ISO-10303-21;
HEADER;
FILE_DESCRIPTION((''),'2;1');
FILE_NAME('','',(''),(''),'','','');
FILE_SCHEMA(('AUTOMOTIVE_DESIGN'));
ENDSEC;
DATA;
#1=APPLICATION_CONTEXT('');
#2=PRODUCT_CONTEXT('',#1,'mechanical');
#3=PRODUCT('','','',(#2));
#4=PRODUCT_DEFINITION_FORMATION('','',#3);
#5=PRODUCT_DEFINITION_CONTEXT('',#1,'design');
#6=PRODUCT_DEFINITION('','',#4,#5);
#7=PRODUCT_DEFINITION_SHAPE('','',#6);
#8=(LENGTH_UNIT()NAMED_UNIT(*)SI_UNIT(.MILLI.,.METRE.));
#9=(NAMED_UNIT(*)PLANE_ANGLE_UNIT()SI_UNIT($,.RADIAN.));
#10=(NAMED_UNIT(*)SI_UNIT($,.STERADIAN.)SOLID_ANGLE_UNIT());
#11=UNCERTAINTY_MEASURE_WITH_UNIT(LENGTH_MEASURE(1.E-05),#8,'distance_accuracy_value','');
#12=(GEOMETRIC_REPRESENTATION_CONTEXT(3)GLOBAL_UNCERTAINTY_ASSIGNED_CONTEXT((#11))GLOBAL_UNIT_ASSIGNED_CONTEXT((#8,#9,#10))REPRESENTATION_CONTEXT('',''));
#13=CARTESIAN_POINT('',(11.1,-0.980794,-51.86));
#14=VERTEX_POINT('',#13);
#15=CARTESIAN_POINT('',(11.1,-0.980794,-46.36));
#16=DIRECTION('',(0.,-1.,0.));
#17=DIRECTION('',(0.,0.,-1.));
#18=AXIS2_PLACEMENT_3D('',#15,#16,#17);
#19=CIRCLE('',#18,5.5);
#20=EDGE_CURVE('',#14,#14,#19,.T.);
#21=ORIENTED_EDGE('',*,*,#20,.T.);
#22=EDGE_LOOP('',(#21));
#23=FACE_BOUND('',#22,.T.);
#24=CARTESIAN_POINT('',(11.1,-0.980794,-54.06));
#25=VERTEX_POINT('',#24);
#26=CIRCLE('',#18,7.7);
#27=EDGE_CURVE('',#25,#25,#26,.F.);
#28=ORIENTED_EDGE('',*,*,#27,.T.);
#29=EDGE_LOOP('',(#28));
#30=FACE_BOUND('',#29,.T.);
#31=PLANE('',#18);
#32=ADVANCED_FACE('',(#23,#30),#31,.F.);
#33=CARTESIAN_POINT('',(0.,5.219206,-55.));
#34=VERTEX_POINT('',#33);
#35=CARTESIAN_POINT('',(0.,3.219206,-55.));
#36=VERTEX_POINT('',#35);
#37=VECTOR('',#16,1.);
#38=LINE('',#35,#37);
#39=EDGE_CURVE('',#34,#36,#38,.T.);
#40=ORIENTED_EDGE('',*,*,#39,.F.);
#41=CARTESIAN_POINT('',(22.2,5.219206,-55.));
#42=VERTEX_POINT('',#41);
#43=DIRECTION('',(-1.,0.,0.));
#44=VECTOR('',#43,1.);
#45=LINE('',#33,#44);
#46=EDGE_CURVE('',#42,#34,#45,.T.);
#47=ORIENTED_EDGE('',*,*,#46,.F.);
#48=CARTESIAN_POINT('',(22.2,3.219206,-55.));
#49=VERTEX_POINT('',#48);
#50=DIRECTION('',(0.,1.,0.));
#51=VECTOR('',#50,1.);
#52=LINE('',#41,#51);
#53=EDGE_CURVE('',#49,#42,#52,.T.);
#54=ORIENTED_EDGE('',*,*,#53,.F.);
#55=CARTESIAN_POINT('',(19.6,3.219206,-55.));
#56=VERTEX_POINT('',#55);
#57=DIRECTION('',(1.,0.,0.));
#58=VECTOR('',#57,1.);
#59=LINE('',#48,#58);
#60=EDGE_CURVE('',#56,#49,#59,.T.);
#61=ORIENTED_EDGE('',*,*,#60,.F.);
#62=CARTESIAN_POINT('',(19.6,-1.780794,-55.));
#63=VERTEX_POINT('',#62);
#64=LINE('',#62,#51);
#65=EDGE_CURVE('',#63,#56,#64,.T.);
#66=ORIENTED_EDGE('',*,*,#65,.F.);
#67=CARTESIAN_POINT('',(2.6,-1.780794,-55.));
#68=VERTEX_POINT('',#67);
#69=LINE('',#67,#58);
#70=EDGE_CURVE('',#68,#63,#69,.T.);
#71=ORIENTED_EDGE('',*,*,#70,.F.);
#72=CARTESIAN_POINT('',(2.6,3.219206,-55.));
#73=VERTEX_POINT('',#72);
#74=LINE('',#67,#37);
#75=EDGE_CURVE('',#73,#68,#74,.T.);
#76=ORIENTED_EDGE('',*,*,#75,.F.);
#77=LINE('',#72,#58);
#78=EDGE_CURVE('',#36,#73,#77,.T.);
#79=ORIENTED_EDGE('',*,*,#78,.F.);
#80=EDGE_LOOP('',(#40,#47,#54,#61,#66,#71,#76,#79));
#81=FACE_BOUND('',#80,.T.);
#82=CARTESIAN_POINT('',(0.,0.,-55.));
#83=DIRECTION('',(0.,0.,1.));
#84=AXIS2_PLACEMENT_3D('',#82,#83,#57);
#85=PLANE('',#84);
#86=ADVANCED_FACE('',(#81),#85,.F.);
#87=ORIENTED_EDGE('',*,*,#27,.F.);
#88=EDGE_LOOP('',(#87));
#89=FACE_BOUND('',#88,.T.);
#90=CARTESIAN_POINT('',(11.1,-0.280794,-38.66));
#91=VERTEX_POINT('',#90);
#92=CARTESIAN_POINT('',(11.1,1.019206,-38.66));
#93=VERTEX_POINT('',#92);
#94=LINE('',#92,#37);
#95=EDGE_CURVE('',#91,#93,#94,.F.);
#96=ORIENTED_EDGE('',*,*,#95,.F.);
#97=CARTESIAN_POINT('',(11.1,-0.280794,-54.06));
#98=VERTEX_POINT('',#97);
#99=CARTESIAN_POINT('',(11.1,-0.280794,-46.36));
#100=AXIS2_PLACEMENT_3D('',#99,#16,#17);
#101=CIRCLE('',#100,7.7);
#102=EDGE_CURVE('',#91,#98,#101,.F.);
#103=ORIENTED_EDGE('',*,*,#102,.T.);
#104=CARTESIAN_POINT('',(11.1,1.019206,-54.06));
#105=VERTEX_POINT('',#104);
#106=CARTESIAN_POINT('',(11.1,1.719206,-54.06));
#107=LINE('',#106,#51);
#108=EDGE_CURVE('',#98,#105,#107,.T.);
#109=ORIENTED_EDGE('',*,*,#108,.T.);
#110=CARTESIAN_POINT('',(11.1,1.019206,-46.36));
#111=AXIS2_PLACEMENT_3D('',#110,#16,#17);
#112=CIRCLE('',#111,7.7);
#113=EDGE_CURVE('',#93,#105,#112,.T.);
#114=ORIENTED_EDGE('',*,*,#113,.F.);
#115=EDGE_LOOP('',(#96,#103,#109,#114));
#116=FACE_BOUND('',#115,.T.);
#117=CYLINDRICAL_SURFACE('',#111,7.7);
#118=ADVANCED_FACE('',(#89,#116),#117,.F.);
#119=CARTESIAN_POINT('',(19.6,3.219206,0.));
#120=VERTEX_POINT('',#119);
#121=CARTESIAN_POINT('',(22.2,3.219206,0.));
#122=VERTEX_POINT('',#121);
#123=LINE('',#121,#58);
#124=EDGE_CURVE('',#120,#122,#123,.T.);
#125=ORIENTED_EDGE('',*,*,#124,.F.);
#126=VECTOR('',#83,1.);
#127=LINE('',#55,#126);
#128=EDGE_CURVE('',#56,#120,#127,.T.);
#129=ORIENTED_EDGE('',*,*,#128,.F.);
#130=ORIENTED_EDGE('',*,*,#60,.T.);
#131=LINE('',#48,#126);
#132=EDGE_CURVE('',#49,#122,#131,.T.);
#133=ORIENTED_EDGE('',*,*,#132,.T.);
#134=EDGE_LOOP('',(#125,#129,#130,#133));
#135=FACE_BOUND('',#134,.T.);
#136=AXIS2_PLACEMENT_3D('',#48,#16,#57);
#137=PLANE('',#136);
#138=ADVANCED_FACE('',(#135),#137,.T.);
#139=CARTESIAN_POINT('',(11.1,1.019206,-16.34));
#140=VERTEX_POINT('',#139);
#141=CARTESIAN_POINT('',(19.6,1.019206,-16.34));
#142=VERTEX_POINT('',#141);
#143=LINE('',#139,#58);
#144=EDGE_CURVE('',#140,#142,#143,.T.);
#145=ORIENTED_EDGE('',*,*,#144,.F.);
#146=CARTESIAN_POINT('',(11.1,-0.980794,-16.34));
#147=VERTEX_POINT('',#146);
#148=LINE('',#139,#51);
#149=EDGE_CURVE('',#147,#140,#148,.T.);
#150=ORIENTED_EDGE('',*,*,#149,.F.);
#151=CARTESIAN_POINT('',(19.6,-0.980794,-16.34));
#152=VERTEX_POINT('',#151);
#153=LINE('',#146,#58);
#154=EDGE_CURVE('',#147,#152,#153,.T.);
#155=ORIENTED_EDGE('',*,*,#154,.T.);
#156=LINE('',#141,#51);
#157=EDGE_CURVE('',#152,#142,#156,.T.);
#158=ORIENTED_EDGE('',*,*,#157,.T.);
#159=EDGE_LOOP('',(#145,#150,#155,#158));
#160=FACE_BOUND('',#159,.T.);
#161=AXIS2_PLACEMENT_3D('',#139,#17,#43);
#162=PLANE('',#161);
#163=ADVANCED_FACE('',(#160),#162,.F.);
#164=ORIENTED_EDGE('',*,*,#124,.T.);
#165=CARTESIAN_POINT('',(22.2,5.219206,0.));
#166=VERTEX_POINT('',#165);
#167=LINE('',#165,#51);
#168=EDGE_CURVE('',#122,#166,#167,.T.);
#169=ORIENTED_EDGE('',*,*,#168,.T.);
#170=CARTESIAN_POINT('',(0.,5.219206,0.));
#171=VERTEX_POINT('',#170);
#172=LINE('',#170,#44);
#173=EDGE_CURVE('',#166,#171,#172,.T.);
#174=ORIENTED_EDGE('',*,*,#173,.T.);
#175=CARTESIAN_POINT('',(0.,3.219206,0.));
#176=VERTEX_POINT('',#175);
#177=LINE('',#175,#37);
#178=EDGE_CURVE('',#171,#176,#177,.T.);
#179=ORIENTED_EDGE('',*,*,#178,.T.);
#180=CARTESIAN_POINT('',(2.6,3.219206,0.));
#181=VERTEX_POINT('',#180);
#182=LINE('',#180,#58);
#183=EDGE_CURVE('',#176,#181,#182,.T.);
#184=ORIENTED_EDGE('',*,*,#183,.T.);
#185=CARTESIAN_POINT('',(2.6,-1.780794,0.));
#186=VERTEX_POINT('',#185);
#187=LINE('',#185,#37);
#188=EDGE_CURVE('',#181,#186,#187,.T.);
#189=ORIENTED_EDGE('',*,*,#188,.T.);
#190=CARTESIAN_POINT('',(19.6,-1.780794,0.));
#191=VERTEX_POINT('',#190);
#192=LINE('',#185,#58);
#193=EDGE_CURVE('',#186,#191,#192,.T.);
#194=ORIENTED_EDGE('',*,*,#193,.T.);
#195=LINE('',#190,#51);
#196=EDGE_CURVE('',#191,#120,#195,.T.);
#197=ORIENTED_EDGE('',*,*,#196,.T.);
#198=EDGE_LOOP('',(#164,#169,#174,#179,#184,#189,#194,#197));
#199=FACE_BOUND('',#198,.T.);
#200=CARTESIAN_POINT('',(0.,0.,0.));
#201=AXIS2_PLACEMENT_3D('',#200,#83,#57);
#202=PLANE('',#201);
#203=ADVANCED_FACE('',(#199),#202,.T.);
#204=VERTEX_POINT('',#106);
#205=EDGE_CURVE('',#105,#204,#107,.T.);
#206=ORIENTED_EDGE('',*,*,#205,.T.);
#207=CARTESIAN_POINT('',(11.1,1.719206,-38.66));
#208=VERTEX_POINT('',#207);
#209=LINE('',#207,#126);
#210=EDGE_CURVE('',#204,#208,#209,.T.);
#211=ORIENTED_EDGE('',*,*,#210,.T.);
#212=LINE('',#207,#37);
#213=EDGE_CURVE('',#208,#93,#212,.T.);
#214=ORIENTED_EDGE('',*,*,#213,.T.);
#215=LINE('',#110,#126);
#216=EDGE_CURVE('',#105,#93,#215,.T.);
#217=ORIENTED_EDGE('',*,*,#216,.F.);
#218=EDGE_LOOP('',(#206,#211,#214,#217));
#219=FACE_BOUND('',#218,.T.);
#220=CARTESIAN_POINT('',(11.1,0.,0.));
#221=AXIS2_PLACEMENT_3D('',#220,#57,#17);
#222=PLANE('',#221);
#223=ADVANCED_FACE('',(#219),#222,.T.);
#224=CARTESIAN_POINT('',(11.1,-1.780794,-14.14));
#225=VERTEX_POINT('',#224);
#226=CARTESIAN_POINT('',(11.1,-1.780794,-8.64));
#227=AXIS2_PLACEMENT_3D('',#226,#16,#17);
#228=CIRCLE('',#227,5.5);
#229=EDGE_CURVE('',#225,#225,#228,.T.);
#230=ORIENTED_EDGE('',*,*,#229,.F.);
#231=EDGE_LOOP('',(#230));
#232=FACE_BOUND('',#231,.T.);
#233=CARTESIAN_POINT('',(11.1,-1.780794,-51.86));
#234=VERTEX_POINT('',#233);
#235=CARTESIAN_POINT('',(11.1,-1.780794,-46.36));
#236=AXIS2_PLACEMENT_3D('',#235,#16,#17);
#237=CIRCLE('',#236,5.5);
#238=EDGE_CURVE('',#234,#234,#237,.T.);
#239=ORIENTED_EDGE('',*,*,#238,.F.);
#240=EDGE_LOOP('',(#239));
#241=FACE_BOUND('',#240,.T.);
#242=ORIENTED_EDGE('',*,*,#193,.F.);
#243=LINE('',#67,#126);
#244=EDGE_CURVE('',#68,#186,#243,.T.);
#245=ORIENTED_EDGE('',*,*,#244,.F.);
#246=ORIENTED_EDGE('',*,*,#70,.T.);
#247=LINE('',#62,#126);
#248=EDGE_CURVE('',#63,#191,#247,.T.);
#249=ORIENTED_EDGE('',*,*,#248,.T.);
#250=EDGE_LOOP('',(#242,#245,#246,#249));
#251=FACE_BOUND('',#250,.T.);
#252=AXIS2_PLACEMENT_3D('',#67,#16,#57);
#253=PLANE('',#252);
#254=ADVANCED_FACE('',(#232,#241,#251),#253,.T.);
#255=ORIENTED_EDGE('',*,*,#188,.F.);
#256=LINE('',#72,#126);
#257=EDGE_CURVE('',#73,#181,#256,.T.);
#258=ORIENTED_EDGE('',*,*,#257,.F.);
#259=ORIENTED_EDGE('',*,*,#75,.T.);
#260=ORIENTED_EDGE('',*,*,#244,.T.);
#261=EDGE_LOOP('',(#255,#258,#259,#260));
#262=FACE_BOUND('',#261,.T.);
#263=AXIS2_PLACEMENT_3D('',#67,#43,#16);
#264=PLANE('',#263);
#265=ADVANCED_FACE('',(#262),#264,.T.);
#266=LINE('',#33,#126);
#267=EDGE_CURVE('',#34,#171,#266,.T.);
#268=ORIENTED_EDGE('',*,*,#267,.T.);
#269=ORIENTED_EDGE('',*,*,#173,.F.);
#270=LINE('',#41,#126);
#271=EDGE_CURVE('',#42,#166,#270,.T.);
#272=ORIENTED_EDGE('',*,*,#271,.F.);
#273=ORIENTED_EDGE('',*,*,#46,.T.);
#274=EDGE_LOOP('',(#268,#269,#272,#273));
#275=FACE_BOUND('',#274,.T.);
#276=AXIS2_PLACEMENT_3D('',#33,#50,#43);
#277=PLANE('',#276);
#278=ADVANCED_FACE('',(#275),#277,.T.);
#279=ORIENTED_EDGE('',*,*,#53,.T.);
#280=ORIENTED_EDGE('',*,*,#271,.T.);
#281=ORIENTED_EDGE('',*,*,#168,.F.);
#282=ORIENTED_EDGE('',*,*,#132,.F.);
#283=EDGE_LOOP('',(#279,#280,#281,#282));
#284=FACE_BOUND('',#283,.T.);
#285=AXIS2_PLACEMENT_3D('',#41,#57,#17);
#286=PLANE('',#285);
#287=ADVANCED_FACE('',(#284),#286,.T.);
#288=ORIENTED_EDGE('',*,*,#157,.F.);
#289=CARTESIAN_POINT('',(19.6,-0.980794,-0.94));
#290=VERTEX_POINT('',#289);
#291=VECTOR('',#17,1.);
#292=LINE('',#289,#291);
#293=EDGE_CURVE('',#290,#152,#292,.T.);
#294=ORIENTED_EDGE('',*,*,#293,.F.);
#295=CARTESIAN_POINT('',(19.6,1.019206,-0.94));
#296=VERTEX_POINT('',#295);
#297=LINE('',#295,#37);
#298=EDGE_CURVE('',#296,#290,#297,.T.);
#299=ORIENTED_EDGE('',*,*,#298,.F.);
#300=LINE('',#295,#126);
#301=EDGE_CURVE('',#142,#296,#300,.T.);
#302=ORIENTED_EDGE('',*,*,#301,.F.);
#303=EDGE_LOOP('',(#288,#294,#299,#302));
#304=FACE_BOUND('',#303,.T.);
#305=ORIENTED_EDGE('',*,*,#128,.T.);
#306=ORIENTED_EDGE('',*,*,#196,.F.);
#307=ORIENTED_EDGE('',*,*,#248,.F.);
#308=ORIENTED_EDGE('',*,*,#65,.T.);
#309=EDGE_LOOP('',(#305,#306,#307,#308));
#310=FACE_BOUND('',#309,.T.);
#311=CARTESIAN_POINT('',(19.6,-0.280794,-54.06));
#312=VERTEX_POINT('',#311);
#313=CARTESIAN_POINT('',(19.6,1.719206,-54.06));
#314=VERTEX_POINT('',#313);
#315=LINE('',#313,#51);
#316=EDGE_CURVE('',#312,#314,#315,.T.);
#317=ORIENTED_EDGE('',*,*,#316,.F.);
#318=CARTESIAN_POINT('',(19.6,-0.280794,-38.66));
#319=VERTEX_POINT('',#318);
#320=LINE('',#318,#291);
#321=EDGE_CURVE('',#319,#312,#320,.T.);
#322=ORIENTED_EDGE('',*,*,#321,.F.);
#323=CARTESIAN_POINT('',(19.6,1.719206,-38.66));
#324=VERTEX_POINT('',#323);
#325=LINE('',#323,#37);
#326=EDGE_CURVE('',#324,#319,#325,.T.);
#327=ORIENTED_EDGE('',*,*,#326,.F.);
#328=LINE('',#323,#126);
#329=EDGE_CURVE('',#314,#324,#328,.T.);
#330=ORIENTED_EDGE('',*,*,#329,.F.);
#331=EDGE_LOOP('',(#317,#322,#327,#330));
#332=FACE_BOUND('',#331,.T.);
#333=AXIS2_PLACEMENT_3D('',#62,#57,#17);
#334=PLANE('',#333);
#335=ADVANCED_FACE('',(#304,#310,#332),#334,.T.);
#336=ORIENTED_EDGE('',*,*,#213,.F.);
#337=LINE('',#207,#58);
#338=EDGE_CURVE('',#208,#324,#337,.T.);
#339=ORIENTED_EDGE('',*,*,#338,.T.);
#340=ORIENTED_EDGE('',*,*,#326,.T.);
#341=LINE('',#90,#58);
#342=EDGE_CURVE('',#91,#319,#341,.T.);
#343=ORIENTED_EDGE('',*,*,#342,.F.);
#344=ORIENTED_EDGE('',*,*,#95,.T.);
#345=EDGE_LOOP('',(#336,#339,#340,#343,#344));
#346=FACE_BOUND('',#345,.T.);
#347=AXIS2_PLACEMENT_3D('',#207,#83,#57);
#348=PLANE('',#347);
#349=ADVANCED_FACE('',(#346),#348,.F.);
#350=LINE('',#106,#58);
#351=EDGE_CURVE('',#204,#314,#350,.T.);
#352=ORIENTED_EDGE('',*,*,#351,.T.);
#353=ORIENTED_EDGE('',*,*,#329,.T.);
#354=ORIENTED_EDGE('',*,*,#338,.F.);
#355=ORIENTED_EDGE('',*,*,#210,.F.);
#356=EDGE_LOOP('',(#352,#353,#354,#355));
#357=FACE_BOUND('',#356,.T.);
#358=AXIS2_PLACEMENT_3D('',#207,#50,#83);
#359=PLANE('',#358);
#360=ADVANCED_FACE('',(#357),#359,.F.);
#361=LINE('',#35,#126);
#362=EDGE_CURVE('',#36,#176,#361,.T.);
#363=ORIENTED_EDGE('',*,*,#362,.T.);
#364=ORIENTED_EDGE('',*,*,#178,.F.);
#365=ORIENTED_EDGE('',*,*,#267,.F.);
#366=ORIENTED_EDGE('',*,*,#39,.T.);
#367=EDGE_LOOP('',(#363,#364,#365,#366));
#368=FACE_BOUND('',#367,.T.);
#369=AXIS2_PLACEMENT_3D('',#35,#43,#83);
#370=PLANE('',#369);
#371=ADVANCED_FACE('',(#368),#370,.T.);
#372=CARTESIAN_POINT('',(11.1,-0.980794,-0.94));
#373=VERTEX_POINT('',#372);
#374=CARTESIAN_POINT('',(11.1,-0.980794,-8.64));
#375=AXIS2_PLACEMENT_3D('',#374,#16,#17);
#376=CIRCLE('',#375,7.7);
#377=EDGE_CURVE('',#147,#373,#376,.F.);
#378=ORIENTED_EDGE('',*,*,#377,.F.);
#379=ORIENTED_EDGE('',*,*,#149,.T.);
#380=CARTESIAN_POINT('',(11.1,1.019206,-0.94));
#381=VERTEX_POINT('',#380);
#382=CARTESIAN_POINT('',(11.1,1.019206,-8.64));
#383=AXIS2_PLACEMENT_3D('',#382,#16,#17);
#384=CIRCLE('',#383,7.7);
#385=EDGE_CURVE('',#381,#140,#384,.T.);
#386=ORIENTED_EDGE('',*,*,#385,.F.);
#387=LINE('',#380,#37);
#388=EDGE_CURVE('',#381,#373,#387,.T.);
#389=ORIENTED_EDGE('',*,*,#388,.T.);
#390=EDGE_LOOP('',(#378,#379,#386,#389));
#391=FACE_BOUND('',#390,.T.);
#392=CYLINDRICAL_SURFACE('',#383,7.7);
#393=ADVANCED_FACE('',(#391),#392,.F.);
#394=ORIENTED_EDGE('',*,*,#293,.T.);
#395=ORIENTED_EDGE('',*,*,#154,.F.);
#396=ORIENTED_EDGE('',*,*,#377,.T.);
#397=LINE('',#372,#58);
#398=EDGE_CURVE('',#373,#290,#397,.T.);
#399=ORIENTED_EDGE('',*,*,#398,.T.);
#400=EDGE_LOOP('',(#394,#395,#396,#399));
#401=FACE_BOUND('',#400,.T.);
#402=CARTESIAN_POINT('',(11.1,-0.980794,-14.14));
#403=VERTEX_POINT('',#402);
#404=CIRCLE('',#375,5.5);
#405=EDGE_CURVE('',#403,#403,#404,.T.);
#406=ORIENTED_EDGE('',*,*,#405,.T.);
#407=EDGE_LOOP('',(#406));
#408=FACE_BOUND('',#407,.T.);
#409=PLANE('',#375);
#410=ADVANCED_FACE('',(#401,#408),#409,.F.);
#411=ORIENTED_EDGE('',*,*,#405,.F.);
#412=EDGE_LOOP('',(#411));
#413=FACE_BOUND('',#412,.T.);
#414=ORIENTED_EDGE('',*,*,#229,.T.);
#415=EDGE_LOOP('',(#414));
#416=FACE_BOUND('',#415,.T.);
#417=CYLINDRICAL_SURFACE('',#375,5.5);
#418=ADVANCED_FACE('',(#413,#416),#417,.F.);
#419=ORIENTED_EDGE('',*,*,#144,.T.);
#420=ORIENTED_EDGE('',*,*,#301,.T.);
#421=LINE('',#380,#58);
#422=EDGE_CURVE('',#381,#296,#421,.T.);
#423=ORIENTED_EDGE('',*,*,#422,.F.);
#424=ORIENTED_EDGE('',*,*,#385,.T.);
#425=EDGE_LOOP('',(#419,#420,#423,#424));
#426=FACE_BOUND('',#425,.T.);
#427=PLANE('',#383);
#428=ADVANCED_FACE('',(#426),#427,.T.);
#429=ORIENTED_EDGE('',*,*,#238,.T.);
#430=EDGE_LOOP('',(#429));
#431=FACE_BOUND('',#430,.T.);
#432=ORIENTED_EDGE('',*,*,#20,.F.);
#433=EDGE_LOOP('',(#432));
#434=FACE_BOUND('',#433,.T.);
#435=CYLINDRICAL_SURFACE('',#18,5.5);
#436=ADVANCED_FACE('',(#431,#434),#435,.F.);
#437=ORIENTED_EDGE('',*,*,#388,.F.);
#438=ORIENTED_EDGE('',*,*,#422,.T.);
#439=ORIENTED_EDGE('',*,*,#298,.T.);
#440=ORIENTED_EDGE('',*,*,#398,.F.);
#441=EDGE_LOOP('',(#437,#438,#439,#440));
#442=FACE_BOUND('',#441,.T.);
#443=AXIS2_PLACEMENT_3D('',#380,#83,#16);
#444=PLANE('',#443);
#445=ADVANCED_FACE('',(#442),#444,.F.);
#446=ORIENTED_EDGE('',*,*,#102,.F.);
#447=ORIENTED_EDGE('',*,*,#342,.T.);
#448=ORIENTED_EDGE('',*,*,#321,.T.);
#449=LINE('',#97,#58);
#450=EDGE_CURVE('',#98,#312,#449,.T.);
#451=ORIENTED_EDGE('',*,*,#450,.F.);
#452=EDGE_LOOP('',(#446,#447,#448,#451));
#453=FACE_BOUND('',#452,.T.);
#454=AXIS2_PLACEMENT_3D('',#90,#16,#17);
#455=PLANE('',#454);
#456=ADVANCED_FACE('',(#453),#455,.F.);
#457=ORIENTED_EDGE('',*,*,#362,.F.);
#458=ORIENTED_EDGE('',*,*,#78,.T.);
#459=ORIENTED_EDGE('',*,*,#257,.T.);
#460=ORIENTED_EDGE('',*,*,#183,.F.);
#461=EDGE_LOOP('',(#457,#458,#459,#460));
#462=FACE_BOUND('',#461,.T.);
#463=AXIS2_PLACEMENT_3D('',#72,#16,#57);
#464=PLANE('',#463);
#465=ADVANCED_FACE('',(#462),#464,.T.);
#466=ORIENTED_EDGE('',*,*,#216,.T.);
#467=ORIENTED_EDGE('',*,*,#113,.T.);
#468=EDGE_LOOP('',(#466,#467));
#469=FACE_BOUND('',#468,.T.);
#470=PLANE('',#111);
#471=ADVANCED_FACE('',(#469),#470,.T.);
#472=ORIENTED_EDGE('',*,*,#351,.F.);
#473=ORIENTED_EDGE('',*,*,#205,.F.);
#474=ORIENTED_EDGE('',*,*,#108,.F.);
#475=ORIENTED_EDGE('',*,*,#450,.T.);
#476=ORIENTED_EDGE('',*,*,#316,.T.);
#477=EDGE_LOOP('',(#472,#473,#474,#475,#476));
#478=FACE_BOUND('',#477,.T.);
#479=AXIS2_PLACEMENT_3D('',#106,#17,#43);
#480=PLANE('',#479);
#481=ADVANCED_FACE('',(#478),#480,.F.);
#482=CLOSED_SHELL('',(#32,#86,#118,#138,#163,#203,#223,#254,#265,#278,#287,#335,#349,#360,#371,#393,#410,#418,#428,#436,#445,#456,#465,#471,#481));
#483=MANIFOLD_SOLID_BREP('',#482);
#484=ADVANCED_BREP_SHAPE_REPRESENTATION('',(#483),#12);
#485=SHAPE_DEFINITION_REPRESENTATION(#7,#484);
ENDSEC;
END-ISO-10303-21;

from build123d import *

# Parameters (mm, degrees)
BOSS_EXTRUDE1_DEPTH = 55
SKETCH3_R           = 7.7
CUT_EXTRUDE1_DEPTH  = 2.8
SKETCH4_R           = 7.7
SKETCH4_R_2         = 5.5
BOSS_EXTRUDE2_DEPTH = 0.8
SKETCH5_W           = 15.4
SKETCH5_H           = 2
CUT_EXTRUDE2_DEPTH  = 8.5


with BuildPart() as part:
    # Sketch2 → Boss-Extrude1 (new body)
    with BuildSketch(Plane.XY):
        Polygon((2.6, -1.780794077), (19.6, -1.780794077), (19.6, 3.219205923), (22.2, 3.219205923), (22.2, 5.219205923), (0, 5.219205923), (0, 3.219205923), (2.6, 3.219205923), align=None)
    extrude(amount=-BOSS_EXTRUDE1_DEPTH)

    # Sketch3 → Cut-Extrude1 (cut)
    with BuildSketch(Plane.XZ.offset(1.780794077)):
        with Locations((11.1, -8.64)):
            Circle(SKETCH3_R)
        with Locations((11.1, -46.36)):
            Circle(SKETCH3_R)
    extrude(amount=-CUT_EXTRUDE1_DEPTH, mode=Mode.SUBTRACT)

    # Sketch4 → Boss-Extrude2 (add)
    with BuildSketch(Plane.XZ.offset(1.780794077)):
        with Locations((11.1, -8.64)):
            Circle(SKETCH4_R)
        with Locations((11.1, -8.64)):
            Circle(SKETCH4_R_2, mode=Mode.SUBTRACT)
        with Locations((11.1, -46.36)):
            Circle(SKETCH4_R)
        with Locations((11.1, -46.36)):
            Circle(SKETCH4_R_2, mode=Mode.SUBTRACT)
    extrude(amount=-BOSS_EXTRUDE2_DEPTH)

    # Sketch5 → Cut-Extrude2 (cut)
    with BuildSketch(Plane(origin=(19.6, 0, 0), x_dir=(0, 0, -1), z_dir=(1, 0, 0))):
        with Locations((8.64, 0.019205923)):
            Rectangle(SKETCH5_W, SKETCH5_H)
        with Locations((46.36, 0.719205923)):
            Rectangle(SKETCH5_W, SKETCH5_H)
    extrude(amount=-CUT_EXTRUDE2_DEPTH, mode=Mode.SUBTRACT)


solid = part.part
